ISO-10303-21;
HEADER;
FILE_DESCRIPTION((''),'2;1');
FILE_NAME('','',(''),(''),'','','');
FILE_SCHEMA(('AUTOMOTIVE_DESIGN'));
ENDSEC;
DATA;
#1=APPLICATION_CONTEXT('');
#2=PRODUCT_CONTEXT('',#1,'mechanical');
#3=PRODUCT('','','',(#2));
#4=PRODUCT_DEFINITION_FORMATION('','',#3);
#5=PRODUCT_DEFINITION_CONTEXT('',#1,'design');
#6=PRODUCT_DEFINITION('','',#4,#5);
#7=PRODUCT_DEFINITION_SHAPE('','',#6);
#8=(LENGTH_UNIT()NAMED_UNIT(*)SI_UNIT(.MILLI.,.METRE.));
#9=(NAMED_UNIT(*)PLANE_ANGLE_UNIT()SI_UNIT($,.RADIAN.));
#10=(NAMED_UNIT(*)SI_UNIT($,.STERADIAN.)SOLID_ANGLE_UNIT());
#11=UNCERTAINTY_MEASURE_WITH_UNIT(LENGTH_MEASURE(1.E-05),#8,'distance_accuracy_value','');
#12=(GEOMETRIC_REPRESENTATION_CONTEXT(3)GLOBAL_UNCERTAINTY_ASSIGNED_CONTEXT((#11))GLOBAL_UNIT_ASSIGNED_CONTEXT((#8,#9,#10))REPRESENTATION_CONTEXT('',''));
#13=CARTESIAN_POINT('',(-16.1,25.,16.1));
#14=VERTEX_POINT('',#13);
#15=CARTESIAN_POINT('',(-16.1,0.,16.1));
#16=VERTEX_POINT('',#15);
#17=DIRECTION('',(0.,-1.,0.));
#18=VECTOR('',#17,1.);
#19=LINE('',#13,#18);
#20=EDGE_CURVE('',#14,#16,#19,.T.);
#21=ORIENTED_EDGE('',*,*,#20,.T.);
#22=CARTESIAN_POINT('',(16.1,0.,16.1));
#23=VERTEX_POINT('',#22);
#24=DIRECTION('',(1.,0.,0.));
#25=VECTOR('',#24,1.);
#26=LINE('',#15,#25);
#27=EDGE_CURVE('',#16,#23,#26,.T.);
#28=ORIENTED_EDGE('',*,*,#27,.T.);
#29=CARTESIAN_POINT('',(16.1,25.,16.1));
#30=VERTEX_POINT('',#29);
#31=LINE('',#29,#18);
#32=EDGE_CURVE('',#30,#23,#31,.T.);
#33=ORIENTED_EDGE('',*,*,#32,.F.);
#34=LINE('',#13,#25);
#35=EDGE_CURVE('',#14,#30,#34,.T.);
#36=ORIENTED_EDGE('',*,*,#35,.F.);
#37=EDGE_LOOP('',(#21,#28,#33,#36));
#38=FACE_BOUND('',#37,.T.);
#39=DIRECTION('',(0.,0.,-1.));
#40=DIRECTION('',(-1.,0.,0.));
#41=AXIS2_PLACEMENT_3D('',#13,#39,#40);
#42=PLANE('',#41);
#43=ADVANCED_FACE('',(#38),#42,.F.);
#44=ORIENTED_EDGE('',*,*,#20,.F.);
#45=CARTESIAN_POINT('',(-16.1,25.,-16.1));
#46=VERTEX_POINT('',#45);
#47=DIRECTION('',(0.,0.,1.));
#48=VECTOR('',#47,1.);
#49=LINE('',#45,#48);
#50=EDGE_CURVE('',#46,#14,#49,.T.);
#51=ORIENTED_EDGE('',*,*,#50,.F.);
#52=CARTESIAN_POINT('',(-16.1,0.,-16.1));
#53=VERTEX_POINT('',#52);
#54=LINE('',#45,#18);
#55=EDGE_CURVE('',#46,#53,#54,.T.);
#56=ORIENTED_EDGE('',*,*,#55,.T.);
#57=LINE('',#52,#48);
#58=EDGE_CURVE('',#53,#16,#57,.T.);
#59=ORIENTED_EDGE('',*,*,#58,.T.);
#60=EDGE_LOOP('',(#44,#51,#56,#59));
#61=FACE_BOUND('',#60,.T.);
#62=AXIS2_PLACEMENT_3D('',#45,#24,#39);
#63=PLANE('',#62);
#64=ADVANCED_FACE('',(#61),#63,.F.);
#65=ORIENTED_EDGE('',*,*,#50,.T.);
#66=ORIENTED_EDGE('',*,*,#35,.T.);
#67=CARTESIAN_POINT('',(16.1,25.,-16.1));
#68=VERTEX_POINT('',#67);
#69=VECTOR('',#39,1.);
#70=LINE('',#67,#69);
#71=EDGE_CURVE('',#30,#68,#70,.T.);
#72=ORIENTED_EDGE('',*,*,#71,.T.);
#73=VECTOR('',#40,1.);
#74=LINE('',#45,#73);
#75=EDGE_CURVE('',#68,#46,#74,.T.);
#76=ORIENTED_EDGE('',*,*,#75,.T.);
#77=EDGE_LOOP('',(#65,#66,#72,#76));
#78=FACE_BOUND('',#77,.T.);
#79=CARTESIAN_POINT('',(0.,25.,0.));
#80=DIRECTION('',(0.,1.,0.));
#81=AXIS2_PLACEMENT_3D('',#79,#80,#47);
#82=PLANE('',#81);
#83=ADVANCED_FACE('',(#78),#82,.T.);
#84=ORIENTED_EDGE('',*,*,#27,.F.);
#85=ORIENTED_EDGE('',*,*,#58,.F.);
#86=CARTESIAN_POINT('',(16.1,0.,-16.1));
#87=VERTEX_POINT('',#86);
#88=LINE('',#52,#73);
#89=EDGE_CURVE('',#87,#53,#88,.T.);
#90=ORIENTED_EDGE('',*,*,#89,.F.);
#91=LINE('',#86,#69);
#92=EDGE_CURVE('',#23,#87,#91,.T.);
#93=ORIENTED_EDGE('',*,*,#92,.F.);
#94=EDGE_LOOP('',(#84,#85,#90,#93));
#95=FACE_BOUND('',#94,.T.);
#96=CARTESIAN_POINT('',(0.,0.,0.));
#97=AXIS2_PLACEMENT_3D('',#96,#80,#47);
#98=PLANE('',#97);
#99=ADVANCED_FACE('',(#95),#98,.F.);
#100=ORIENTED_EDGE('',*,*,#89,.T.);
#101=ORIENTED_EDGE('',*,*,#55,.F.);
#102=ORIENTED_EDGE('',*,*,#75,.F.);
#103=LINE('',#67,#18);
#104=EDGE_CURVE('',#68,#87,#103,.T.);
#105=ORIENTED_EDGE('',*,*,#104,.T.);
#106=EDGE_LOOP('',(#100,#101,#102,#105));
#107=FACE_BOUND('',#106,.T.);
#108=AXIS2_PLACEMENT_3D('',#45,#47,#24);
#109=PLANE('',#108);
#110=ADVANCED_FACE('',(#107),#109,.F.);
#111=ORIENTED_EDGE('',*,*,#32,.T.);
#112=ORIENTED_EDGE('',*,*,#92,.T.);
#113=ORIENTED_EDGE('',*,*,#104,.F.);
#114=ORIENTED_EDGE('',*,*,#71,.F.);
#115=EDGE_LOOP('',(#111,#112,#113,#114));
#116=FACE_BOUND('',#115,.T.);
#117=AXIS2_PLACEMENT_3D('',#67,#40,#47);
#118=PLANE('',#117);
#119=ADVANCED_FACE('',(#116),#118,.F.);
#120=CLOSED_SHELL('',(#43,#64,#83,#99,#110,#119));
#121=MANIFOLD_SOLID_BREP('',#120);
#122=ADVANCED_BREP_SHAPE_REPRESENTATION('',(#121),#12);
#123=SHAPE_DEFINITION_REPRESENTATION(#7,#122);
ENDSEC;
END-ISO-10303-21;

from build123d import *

# Parameters (mm, degrees)
SKETCH2_W           = 32.2
SKETCH2_H           = 32.2
BOSS_EXTRUDE1_DEPTH = 25


with BuildPart() as part:
    # Sketch2 → Boss-Extrude1 (new body)
    with BuildSketch(Plane(origin=(0, 0, 0), x_dir=(1, 0, 0), z_dir=(0, 1, 0))):
        Rectangle(SKETCH2_W, SKETCH2_H)
    extrude(amount=BOSS_EXTRUDE1_DEPTH)


solid = part.part
